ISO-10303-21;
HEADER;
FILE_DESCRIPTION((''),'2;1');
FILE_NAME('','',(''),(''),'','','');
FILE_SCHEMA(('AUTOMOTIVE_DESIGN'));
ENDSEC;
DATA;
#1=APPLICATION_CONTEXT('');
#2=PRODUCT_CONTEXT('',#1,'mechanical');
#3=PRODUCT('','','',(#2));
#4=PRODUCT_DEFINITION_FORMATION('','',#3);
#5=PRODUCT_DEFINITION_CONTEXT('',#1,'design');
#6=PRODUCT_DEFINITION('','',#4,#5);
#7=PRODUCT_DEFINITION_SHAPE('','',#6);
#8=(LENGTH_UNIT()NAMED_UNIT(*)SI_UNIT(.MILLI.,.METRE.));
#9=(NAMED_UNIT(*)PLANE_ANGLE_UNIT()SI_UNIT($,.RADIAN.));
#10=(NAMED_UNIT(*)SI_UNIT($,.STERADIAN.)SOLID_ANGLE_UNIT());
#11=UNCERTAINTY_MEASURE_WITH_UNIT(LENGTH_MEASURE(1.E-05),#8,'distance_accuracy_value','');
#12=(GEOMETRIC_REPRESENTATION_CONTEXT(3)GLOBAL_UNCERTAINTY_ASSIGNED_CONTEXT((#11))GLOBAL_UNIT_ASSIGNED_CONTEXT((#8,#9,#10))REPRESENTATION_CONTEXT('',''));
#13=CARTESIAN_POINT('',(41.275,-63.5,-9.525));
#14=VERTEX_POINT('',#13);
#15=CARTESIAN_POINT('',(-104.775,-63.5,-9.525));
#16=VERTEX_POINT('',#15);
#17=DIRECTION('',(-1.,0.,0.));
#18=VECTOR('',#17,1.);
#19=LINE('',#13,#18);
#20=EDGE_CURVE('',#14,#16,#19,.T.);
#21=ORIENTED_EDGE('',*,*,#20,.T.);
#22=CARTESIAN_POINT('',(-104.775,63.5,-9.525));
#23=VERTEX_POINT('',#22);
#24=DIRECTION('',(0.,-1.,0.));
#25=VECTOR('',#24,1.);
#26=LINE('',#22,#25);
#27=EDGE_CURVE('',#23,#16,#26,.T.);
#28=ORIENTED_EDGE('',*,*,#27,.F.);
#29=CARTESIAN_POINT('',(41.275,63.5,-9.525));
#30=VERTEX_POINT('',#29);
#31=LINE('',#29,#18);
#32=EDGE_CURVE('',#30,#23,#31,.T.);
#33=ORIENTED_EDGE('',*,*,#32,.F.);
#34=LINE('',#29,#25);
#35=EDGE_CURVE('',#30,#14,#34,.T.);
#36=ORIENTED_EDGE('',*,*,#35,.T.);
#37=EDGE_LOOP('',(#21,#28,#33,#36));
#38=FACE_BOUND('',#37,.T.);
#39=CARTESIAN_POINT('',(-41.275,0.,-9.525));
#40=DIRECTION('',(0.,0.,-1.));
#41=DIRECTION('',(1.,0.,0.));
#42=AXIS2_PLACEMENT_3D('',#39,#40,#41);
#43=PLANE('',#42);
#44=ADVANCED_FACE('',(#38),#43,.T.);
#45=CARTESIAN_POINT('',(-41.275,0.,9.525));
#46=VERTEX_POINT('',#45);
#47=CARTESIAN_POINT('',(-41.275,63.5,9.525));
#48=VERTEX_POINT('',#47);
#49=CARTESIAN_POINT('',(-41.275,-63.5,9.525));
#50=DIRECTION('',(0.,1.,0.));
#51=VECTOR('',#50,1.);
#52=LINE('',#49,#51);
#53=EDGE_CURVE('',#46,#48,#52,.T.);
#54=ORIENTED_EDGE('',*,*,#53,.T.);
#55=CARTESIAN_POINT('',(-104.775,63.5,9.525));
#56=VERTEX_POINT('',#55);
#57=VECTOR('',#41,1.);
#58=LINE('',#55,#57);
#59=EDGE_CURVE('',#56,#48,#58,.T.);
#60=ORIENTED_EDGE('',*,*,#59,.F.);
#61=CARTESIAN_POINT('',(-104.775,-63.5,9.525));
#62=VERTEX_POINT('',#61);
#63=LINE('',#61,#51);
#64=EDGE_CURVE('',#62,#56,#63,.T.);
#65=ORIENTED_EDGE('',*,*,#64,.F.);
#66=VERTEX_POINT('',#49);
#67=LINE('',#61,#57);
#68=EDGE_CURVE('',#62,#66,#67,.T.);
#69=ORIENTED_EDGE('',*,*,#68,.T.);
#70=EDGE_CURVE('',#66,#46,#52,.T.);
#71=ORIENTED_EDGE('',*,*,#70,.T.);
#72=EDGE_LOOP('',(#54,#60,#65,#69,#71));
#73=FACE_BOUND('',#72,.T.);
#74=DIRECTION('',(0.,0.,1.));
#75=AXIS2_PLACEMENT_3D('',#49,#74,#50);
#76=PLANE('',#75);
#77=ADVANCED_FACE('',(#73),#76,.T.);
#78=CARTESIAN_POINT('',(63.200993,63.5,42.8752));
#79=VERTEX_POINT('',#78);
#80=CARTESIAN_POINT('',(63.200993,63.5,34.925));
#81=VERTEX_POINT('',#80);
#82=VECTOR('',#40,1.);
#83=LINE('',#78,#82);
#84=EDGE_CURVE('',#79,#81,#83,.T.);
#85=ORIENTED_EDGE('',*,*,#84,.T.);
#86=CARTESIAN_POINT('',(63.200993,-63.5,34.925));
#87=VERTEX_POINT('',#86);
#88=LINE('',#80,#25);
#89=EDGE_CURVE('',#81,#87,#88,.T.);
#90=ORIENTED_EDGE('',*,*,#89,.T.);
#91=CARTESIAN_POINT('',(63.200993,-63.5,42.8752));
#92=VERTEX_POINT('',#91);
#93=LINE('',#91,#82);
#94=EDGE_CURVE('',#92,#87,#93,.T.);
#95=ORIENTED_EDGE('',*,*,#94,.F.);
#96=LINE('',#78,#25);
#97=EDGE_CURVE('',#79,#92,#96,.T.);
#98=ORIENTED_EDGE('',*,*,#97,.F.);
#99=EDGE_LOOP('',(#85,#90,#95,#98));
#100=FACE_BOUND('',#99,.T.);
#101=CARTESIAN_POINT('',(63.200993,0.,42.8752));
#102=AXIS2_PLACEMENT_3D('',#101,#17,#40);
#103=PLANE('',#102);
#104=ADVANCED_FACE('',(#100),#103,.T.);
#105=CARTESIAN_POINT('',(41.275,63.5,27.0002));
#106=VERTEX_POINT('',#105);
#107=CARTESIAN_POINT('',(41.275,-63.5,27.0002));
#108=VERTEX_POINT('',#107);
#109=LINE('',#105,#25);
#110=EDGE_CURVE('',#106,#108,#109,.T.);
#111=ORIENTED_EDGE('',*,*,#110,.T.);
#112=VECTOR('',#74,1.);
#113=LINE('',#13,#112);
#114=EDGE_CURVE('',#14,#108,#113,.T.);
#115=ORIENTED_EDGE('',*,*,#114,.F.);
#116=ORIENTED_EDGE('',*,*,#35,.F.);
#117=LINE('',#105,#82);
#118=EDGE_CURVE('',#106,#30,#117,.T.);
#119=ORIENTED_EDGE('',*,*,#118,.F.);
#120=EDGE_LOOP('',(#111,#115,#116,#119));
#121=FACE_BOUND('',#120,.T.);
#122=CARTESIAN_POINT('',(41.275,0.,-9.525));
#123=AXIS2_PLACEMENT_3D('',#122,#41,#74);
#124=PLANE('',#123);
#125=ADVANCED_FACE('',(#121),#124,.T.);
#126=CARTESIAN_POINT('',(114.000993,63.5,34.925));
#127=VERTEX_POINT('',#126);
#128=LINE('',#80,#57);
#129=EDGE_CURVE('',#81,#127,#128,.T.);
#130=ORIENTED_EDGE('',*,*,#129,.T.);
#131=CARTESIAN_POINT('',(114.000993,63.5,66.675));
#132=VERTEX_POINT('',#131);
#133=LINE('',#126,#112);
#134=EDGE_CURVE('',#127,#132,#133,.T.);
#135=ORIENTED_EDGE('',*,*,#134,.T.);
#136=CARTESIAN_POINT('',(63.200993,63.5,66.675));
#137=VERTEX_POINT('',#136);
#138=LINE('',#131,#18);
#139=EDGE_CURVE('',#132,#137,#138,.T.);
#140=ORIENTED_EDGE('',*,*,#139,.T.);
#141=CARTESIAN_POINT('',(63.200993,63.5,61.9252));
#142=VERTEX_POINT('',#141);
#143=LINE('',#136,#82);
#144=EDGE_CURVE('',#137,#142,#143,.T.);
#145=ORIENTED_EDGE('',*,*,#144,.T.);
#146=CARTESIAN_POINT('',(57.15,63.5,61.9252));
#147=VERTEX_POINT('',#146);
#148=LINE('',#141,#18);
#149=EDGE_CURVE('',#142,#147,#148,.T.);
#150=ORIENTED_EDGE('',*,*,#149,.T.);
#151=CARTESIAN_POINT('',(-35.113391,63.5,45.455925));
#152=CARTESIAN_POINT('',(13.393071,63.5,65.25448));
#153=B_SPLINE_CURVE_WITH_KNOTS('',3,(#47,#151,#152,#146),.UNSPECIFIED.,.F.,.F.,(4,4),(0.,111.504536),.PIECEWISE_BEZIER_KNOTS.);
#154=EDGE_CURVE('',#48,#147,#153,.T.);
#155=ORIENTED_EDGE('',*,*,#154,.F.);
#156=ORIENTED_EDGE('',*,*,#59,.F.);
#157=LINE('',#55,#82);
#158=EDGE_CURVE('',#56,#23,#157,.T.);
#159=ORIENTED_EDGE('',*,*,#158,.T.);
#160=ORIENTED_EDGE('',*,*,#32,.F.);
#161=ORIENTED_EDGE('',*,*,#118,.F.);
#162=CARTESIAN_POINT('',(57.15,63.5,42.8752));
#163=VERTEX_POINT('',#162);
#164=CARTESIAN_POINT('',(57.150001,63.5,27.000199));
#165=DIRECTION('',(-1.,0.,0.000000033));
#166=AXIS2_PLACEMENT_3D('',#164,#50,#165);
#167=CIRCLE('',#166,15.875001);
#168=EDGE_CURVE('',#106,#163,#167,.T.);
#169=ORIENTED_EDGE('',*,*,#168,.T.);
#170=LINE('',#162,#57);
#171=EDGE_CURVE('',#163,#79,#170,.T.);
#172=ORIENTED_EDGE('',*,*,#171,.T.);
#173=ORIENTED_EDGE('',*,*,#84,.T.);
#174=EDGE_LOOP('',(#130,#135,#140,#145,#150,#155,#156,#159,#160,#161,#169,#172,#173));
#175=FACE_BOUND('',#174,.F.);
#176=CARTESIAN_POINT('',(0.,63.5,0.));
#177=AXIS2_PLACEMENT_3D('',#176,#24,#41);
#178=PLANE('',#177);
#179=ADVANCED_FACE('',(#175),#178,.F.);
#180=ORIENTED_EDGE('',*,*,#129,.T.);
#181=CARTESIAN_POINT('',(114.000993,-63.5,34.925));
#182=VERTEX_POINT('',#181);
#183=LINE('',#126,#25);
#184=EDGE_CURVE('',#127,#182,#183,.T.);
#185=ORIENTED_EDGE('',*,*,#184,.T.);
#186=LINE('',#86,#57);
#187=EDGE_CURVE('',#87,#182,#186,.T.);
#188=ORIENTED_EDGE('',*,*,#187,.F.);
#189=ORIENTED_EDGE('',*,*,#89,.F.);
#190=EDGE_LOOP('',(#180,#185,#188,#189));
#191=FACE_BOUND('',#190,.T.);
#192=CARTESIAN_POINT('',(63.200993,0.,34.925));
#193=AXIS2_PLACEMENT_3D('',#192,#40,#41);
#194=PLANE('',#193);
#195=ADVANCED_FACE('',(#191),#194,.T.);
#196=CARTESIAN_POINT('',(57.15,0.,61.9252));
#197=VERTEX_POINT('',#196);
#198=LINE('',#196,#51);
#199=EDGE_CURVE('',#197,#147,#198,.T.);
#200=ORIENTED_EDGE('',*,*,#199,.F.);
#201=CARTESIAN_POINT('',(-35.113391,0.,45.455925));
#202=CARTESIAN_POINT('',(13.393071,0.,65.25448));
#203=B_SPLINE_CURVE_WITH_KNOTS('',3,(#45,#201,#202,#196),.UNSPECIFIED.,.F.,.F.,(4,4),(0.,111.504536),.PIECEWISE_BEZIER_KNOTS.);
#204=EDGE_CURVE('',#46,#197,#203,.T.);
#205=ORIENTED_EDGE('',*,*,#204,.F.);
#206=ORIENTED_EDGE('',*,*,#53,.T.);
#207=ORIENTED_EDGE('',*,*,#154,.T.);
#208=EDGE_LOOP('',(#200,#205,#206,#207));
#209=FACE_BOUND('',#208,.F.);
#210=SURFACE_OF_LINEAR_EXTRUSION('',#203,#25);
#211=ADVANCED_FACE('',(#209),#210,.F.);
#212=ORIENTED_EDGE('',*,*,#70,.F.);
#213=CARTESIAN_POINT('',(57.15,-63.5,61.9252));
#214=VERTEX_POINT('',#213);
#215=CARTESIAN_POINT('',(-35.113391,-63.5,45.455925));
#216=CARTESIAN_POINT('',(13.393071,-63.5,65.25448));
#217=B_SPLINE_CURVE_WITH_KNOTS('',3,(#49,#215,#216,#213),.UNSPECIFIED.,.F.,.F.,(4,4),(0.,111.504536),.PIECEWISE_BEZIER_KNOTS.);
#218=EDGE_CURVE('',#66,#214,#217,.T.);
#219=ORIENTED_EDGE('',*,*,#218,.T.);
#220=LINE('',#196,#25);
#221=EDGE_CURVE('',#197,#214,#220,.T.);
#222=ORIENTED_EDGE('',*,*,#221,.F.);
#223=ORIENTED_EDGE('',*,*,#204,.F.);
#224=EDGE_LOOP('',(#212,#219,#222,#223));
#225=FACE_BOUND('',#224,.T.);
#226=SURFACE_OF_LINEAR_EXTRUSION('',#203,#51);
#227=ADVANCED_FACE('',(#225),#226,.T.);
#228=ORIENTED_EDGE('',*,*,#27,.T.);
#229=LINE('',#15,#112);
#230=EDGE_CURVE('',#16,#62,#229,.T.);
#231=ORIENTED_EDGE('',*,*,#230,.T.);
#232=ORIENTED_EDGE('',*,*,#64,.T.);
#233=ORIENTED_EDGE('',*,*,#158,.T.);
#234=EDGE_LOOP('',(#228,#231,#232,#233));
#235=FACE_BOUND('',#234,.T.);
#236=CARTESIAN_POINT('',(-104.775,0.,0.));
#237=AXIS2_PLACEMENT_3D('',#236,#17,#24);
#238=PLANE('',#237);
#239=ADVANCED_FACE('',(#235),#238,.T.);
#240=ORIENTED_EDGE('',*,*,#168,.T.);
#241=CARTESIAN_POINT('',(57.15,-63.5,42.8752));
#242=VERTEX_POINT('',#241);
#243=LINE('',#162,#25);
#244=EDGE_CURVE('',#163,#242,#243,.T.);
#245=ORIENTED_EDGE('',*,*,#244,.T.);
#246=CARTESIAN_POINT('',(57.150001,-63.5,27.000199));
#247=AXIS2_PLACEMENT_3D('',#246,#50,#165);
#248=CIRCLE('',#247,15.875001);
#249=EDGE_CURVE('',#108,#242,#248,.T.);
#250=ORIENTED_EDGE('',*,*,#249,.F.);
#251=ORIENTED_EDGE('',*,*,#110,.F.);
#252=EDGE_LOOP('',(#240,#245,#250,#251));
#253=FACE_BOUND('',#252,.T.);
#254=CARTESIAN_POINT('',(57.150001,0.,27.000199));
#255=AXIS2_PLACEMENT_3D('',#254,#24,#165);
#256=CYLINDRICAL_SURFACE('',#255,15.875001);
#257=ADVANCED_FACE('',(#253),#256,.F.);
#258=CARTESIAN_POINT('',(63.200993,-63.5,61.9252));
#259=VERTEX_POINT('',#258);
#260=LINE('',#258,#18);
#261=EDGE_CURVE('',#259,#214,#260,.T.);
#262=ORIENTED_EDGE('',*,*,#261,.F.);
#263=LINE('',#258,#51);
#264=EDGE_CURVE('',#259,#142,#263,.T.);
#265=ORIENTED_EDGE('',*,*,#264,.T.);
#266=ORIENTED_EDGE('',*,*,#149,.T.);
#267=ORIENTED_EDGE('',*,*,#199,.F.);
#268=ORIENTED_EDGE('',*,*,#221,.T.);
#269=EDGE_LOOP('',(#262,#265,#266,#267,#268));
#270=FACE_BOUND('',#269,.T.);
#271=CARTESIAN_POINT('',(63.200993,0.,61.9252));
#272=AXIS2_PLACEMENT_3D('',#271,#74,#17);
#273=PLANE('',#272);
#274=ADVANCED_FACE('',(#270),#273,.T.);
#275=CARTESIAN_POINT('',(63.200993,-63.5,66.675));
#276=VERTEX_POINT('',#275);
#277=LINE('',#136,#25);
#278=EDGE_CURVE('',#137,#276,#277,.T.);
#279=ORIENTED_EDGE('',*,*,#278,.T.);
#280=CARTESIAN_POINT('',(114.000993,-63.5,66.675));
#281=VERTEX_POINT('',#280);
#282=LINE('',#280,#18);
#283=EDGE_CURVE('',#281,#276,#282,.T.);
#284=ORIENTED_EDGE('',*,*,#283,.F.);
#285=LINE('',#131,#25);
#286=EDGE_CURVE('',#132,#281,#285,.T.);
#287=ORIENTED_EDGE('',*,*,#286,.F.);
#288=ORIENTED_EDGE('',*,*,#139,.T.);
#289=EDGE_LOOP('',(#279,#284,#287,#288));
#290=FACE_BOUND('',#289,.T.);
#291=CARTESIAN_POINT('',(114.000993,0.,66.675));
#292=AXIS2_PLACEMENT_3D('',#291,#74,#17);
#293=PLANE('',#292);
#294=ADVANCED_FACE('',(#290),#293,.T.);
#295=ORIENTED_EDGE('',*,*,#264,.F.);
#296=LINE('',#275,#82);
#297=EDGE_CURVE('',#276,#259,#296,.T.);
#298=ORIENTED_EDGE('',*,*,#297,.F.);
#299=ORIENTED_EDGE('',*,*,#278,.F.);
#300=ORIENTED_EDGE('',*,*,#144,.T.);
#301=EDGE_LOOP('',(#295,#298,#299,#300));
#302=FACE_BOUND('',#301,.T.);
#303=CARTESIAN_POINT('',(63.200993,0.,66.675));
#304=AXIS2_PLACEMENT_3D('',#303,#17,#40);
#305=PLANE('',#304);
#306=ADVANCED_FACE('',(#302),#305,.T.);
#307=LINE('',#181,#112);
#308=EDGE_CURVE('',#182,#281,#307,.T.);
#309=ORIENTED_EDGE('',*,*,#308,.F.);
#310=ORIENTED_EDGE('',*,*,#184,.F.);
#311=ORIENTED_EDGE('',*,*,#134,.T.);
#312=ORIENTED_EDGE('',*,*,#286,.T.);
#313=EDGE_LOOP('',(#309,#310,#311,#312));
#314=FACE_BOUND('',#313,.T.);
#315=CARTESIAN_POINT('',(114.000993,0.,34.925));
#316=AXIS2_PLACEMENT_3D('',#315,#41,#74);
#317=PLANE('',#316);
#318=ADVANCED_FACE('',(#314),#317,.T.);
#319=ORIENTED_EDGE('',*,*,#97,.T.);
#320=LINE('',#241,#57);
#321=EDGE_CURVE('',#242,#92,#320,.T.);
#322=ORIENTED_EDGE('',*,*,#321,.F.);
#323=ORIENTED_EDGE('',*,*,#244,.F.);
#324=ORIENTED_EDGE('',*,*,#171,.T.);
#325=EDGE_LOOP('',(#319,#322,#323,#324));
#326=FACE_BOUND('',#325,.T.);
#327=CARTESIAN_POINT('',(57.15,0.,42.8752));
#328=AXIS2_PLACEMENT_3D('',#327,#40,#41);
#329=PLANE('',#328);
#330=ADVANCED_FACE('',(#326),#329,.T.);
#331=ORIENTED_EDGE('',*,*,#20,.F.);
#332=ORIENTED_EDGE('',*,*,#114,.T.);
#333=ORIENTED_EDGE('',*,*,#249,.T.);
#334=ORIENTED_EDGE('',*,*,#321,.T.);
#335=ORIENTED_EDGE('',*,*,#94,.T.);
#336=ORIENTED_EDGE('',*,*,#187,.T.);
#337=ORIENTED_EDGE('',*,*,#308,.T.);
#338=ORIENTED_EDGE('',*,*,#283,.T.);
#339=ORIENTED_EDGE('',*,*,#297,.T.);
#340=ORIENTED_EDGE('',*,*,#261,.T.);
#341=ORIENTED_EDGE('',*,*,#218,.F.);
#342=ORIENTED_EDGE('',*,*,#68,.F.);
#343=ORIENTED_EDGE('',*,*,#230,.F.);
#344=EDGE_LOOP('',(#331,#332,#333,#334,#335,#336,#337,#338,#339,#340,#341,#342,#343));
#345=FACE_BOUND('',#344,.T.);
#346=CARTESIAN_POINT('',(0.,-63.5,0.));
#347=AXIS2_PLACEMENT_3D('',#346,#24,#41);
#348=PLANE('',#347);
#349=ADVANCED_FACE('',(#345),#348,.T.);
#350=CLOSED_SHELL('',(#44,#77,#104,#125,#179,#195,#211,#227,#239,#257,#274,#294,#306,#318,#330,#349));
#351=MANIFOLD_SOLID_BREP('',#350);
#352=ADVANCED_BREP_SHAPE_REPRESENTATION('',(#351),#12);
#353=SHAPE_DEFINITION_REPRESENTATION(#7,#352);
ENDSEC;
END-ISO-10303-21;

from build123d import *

# Parameters (mm, degrees)
F1_DEPTH = 63.5
F2_DEPTH = 63.5
F3_DEPTH = 63.5


with BuildPart() as f1:
    # F0 (on Front) → F1 (new body, symmetric)
    with BuildSketch(Plane.XZ):
        Polygon((-41.275, 9.525), (-41.275, -9.525), (41.275, -9.525), (41.275, 9.525), (22.225, 9.525), align=None)
    extrude(amount=F1_DEPTH, both=True)

    # F0 (on Front) → F2 (join, symmetric)
    with BuildSketch(Plane.XZ):
        Polygon((-41.275, 9.525), (-41.275, -9.525), (41.275, -9.525), (41.275, 9.525), (22.225, 9.525), align=None)
        with BuildLine():
            add(Edge.make_bspline(
                [(-41.275, 9.525), (-35.113391, 45.455925), (13.393071, 65.25448), (57.15, 61.9252)],
                knots=[0, 0, 0, 0, 111.504536, 111.504536, 111.504536, 111.504536], degree=3))
            Line((-41.275, 9.525), (22.225, 9.525))
            Line((22.225, 9.525), (22.225, 27.0002))
            ThreePointArc((22.225, 27.0002), (32.454296, 51.695904), (57.15, 61.9252))
        make_face()
        with BuildLine():
            Line((22.225, 9.525), (41.275, 9.525))
            Line((41.275, 9.525), (41.275, 27.0002))
            ThreePointArc((41.275, 27.0002), (45.92468, 38.22552), (57.15, 42.8752))
            Line((57.15, 42.8752), (63.200993, 42.8752))
            Line((63.200993, 42.8752), (63.200993, 61.9252))
            Line((63.200993, 61.9252), (57.15, 61.9252))
            ThreePointArc((57.15, 61.9252), (32.454296, 51.695904), (22.225, 27.0002))
            Line((22.225, 27.0002), (22.225, 9.525))
        make_face()
        Polygon((63.200993, 66.675), (63.200993, 61.9252), (63.200993, 42.8752), (87.960352, 42.8752), (88.600993, 66.675), align=None)
        Polygon((87.960352, 42.8752), (63.200993, 42.8752), (63.200993, 34.925), (114.000993, 34.925), (114.000993, 66.675), (88.600993, 66.675), align=None)
    extrude(amount=F2_DEPTH, both=True)

    # F1_face (on face) → F3 (join, symmetric)
    with BuildSketch(Plane(origin=(-41.275, 0, 0), x_dir=(0, -1, 0), z_dir=(-1, 0, 0))):
        Polygon((-63.5, 9.525), (-63.5, -9.525), (63.5, -9.525), (63.5, 9.525), (0, 9.525), align=None)
    extrude(amount=F3_DEPTH, both=True)


solid = f1.part
